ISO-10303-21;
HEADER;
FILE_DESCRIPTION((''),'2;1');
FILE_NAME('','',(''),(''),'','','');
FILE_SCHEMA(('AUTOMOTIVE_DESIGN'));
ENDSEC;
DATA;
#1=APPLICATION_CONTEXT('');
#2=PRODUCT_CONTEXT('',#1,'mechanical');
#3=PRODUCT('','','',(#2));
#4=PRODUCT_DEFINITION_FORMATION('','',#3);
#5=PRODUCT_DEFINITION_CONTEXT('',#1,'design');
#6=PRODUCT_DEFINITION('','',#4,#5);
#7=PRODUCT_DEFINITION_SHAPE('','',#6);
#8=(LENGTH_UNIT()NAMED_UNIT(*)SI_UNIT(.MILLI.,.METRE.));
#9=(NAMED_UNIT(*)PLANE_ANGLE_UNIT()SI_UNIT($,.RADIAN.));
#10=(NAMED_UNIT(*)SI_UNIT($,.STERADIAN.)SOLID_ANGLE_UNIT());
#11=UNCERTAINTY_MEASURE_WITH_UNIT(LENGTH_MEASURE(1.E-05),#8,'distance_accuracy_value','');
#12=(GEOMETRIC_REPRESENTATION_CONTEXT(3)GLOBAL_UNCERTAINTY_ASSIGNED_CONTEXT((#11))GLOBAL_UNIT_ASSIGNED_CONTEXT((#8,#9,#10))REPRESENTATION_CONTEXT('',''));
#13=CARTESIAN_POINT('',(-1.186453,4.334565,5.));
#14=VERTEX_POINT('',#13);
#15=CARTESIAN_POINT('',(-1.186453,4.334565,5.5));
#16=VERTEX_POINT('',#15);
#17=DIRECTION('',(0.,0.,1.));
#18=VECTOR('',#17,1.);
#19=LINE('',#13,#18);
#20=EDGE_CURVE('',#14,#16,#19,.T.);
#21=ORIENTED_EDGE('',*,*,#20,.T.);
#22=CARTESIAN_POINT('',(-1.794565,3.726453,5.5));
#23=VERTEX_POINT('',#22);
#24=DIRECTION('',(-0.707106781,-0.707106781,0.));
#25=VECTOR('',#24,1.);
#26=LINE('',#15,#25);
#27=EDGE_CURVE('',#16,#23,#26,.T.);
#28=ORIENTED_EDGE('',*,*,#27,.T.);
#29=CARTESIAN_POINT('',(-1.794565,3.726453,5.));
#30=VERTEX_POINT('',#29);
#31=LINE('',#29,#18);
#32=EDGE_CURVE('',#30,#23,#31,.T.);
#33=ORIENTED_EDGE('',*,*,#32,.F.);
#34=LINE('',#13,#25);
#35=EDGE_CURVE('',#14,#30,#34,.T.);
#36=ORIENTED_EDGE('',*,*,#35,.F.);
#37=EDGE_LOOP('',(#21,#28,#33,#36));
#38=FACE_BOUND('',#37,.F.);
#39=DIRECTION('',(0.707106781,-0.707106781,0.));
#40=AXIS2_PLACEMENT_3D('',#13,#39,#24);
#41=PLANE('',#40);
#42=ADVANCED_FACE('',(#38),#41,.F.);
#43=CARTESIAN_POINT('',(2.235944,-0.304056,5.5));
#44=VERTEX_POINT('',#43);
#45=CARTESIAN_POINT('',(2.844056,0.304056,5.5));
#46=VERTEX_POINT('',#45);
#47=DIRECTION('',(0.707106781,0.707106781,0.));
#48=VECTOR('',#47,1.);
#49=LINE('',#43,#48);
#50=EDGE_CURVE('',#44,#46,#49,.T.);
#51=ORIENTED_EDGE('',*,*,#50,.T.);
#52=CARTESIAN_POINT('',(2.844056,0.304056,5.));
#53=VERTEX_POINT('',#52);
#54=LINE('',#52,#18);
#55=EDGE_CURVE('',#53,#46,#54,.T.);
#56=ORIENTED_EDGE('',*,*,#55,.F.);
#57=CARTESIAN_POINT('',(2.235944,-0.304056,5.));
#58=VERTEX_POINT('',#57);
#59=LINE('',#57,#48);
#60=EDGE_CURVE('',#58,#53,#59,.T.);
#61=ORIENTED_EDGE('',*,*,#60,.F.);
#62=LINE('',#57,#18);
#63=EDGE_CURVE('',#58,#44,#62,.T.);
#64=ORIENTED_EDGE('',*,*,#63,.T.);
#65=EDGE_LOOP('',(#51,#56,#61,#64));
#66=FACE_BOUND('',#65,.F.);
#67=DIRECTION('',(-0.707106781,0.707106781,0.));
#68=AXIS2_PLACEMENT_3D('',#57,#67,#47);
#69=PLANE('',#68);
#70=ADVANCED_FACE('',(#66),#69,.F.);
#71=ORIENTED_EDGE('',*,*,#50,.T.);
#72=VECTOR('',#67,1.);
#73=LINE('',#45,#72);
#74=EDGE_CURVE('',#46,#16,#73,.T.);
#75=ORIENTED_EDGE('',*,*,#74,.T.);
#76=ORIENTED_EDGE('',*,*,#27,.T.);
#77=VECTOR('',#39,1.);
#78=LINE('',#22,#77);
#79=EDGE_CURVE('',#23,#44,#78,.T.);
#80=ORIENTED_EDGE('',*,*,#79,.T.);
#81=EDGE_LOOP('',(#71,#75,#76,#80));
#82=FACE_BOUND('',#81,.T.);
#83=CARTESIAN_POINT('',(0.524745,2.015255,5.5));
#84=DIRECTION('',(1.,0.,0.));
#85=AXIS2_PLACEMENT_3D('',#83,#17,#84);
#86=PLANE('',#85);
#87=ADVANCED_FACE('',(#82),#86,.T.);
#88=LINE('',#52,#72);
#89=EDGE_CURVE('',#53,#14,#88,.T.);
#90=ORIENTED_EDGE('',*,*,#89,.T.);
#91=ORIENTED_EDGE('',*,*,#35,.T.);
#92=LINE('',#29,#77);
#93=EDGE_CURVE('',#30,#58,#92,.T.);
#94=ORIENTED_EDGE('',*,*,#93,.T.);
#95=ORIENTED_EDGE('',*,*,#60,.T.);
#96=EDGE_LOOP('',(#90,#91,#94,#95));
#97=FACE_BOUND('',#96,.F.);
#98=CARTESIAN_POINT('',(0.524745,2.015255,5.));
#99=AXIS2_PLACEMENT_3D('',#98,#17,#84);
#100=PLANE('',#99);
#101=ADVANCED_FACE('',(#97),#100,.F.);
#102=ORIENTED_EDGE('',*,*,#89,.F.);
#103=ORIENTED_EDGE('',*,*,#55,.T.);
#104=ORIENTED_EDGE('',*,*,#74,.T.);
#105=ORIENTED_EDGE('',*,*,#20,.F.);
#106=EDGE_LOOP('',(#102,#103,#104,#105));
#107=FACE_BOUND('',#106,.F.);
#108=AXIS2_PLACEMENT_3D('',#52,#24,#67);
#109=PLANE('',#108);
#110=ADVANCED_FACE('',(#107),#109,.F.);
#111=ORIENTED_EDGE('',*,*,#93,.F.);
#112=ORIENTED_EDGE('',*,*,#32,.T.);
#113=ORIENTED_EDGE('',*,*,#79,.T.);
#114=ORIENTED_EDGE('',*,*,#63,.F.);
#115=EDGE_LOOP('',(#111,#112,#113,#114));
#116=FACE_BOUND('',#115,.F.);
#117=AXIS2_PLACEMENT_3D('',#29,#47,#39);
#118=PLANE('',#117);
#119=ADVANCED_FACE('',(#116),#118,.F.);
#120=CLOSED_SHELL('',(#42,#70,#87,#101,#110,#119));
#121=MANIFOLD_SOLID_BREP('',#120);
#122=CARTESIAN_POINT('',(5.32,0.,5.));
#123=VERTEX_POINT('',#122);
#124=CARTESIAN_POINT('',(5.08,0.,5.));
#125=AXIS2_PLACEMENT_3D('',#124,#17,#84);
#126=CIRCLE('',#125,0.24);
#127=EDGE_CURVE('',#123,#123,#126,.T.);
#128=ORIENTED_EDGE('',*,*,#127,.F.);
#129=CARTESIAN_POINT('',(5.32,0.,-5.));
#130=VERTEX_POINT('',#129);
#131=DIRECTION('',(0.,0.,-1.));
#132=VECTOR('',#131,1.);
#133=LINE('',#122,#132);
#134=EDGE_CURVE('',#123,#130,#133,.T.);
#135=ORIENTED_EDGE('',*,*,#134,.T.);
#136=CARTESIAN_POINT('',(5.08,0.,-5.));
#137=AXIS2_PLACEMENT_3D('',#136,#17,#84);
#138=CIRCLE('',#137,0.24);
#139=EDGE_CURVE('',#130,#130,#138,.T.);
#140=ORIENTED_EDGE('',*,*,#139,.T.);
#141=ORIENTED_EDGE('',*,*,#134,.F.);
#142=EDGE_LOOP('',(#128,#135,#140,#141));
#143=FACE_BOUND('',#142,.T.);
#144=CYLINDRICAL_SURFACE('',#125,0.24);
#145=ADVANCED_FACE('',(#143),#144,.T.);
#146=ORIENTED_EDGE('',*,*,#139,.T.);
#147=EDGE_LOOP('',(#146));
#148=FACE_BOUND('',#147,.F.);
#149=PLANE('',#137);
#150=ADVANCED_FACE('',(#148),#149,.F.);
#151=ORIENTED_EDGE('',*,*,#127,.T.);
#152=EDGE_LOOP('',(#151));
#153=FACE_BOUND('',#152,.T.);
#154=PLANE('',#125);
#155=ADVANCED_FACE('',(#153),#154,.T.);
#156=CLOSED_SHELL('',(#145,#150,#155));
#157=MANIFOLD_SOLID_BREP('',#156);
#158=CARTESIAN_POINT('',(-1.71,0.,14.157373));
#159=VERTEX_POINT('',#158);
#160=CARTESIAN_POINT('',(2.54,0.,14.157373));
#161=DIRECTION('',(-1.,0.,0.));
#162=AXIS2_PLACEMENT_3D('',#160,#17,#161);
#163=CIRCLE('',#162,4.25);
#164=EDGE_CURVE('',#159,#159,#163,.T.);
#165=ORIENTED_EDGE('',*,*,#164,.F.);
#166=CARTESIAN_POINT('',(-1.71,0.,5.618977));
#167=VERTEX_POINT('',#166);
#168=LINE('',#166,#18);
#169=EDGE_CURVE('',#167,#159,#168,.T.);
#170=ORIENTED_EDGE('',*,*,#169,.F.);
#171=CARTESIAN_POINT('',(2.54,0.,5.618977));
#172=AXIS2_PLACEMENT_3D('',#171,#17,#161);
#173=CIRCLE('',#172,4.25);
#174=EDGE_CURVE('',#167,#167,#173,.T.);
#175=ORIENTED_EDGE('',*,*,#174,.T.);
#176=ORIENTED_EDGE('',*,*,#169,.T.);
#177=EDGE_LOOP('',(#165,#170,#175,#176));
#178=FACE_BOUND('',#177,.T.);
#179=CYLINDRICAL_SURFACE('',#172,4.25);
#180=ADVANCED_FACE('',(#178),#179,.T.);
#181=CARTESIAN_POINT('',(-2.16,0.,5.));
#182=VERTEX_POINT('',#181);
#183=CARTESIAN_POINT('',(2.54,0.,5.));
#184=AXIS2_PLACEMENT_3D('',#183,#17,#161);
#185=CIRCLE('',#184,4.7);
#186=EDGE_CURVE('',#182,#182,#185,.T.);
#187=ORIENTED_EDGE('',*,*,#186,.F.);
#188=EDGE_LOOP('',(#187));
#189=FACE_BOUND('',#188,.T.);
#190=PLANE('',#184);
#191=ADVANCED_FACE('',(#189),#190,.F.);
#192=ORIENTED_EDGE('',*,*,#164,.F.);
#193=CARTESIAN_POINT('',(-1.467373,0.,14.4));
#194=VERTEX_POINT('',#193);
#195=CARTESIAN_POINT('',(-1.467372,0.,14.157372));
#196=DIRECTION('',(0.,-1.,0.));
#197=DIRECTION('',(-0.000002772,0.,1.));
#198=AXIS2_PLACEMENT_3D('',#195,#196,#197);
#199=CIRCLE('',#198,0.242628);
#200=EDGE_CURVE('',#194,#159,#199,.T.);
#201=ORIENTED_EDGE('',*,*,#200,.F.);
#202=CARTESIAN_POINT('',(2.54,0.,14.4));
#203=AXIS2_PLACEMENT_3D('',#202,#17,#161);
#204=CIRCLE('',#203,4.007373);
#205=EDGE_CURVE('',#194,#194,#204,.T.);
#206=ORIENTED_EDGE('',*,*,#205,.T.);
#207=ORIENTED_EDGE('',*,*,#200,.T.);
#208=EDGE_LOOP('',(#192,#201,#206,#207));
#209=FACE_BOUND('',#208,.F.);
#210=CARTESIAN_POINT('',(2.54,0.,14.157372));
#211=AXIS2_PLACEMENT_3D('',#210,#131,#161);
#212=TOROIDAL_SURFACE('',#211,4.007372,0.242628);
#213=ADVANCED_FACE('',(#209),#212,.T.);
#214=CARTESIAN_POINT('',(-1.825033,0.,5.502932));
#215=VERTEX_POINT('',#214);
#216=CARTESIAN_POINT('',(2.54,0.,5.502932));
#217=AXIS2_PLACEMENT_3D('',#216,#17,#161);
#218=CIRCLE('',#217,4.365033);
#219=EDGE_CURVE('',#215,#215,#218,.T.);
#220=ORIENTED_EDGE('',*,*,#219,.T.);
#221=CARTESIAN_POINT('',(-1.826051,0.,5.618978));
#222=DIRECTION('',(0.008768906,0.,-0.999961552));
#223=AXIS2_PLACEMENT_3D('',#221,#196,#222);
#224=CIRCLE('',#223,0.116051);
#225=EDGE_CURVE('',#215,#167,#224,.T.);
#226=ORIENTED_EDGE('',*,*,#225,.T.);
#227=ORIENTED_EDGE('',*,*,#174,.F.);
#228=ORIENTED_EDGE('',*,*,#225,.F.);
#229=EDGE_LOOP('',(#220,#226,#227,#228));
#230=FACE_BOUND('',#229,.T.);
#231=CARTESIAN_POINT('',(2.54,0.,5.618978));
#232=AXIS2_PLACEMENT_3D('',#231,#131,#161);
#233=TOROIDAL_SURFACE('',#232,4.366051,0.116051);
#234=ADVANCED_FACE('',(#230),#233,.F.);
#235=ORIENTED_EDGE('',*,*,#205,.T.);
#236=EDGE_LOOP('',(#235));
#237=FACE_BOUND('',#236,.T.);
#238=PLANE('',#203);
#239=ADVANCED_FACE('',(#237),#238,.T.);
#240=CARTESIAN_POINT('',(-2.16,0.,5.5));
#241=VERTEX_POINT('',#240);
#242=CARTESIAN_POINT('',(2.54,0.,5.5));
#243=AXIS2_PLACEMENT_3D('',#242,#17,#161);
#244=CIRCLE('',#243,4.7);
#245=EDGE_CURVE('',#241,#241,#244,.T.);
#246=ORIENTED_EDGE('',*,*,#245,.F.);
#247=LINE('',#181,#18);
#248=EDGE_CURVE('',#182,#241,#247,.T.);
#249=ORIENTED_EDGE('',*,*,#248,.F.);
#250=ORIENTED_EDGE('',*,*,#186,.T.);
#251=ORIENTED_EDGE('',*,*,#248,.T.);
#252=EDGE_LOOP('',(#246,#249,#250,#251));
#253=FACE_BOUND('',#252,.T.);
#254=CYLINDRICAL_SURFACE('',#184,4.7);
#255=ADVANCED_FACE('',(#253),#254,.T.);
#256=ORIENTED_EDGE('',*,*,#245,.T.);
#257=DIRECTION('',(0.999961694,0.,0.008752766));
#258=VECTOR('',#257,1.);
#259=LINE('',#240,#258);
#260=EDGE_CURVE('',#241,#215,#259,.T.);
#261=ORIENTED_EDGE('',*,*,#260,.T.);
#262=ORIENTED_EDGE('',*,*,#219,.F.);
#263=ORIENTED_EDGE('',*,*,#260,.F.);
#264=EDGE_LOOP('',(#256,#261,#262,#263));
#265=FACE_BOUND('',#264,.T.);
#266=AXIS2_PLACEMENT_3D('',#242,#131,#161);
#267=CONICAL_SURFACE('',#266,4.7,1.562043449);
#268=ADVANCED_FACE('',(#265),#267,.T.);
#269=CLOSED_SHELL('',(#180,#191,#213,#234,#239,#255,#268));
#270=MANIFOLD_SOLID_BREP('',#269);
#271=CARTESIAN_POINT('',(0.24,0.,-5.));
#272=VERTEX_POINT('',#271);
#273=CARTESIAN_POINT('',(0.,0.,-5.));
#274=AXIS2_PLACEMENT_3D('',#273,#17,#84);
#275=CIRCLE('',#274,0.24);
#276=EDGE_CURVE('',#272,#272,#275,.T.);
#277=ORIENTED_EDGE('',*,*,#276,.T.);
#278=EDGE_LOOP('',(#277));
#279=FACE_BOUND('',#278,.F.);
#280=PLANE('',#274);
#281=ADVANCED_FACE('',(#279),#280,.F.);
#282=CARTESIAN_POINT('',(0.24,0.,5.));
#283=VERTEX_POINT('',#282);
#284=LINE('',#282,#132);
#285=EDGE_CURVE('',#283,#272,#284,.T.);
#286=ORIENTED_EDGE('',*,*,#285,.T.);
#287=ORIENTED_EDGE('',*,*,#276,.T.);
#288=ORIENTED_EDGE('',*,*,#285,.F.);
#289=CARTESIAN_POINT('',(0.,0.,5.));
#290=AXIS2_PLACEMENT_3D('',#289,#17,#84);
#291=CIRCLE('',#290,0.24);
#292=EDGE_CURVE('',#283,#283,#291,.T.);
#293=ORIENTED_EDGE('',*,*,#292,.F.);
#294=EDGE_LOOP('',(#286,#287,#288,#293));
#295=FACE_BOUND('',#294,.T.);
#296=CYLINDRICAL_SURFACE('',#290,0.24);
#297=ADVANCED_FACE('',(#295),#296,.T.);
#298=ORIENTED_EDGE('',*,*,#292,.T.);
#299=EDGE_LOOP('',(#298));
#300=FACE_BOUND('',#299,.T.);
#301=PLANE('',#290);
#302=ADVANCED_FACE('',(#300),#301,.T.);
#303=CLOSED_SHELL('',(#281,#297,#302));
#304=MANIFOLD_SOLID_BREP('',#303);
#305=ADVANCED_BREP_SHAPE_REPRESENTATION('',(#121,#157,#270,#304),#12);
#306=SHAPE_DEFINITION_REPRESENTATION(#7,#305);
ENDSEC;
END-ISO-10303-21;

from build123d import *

# Parameters (mm, degrees)
SKETCH_R     = 0.24
PAD_DEPTH    = 10
PAD003_DEPTH = 0.5


with BuildPart() as pad:
    # Sketch → Pad (new body)
    with BuildSketch(Plane.XY.offset(5)):
        Circle(SKETCH_R)
        with Locations((5.08, 0)):
            Circle(SKETCH_R)
    extrude(amount=-PAD_DEPTH)


with BuildPart() as revolution:
    # Sketch003 → Revolution (revolve)
    with BuildSketch(Plane.XZ):
        with BuildLine():
            Line((2.54, 5), (-2.16, 5))
            Line((-2.16, 5), (-2.16, 5.5))
            Line((-2.16, 5.5), (-1.825033, 5.502932))
            ThreePointArc((-1.825033, 5.502932), (-1.743632, 5.537278), (-1.71, 5.618977))
            Line((-1.71, 5.618977), (-1.71, 14.157373))
            ThreePointArc((-1.467373, 14.4), (-1.638936, 14.328936), (-1.71, 14.157373))
            Line((-1.467373, 14.4), (2.54, 14.4))
            Line((2.54, 14.4), (2.54, 5))
        make_face()
    revolve(axis=Axis((2.54, 0, 2.550668), (0, 0, 1)))


with BuildPart() as pad003:
    # Sketch004 → Pad003 (new body)
    with BuildSketch(Plane.XY.offset(5)):
        Polygon((2.844056, 0.304056), (-1.186453, 4.334565), (-1.794565, 3.726453), (2.235944, -0.304056), align=None)
    extrude(amount=PAD003_DEPTH)


solid = Compound([pad.part, revolution.part, pad003.part])
